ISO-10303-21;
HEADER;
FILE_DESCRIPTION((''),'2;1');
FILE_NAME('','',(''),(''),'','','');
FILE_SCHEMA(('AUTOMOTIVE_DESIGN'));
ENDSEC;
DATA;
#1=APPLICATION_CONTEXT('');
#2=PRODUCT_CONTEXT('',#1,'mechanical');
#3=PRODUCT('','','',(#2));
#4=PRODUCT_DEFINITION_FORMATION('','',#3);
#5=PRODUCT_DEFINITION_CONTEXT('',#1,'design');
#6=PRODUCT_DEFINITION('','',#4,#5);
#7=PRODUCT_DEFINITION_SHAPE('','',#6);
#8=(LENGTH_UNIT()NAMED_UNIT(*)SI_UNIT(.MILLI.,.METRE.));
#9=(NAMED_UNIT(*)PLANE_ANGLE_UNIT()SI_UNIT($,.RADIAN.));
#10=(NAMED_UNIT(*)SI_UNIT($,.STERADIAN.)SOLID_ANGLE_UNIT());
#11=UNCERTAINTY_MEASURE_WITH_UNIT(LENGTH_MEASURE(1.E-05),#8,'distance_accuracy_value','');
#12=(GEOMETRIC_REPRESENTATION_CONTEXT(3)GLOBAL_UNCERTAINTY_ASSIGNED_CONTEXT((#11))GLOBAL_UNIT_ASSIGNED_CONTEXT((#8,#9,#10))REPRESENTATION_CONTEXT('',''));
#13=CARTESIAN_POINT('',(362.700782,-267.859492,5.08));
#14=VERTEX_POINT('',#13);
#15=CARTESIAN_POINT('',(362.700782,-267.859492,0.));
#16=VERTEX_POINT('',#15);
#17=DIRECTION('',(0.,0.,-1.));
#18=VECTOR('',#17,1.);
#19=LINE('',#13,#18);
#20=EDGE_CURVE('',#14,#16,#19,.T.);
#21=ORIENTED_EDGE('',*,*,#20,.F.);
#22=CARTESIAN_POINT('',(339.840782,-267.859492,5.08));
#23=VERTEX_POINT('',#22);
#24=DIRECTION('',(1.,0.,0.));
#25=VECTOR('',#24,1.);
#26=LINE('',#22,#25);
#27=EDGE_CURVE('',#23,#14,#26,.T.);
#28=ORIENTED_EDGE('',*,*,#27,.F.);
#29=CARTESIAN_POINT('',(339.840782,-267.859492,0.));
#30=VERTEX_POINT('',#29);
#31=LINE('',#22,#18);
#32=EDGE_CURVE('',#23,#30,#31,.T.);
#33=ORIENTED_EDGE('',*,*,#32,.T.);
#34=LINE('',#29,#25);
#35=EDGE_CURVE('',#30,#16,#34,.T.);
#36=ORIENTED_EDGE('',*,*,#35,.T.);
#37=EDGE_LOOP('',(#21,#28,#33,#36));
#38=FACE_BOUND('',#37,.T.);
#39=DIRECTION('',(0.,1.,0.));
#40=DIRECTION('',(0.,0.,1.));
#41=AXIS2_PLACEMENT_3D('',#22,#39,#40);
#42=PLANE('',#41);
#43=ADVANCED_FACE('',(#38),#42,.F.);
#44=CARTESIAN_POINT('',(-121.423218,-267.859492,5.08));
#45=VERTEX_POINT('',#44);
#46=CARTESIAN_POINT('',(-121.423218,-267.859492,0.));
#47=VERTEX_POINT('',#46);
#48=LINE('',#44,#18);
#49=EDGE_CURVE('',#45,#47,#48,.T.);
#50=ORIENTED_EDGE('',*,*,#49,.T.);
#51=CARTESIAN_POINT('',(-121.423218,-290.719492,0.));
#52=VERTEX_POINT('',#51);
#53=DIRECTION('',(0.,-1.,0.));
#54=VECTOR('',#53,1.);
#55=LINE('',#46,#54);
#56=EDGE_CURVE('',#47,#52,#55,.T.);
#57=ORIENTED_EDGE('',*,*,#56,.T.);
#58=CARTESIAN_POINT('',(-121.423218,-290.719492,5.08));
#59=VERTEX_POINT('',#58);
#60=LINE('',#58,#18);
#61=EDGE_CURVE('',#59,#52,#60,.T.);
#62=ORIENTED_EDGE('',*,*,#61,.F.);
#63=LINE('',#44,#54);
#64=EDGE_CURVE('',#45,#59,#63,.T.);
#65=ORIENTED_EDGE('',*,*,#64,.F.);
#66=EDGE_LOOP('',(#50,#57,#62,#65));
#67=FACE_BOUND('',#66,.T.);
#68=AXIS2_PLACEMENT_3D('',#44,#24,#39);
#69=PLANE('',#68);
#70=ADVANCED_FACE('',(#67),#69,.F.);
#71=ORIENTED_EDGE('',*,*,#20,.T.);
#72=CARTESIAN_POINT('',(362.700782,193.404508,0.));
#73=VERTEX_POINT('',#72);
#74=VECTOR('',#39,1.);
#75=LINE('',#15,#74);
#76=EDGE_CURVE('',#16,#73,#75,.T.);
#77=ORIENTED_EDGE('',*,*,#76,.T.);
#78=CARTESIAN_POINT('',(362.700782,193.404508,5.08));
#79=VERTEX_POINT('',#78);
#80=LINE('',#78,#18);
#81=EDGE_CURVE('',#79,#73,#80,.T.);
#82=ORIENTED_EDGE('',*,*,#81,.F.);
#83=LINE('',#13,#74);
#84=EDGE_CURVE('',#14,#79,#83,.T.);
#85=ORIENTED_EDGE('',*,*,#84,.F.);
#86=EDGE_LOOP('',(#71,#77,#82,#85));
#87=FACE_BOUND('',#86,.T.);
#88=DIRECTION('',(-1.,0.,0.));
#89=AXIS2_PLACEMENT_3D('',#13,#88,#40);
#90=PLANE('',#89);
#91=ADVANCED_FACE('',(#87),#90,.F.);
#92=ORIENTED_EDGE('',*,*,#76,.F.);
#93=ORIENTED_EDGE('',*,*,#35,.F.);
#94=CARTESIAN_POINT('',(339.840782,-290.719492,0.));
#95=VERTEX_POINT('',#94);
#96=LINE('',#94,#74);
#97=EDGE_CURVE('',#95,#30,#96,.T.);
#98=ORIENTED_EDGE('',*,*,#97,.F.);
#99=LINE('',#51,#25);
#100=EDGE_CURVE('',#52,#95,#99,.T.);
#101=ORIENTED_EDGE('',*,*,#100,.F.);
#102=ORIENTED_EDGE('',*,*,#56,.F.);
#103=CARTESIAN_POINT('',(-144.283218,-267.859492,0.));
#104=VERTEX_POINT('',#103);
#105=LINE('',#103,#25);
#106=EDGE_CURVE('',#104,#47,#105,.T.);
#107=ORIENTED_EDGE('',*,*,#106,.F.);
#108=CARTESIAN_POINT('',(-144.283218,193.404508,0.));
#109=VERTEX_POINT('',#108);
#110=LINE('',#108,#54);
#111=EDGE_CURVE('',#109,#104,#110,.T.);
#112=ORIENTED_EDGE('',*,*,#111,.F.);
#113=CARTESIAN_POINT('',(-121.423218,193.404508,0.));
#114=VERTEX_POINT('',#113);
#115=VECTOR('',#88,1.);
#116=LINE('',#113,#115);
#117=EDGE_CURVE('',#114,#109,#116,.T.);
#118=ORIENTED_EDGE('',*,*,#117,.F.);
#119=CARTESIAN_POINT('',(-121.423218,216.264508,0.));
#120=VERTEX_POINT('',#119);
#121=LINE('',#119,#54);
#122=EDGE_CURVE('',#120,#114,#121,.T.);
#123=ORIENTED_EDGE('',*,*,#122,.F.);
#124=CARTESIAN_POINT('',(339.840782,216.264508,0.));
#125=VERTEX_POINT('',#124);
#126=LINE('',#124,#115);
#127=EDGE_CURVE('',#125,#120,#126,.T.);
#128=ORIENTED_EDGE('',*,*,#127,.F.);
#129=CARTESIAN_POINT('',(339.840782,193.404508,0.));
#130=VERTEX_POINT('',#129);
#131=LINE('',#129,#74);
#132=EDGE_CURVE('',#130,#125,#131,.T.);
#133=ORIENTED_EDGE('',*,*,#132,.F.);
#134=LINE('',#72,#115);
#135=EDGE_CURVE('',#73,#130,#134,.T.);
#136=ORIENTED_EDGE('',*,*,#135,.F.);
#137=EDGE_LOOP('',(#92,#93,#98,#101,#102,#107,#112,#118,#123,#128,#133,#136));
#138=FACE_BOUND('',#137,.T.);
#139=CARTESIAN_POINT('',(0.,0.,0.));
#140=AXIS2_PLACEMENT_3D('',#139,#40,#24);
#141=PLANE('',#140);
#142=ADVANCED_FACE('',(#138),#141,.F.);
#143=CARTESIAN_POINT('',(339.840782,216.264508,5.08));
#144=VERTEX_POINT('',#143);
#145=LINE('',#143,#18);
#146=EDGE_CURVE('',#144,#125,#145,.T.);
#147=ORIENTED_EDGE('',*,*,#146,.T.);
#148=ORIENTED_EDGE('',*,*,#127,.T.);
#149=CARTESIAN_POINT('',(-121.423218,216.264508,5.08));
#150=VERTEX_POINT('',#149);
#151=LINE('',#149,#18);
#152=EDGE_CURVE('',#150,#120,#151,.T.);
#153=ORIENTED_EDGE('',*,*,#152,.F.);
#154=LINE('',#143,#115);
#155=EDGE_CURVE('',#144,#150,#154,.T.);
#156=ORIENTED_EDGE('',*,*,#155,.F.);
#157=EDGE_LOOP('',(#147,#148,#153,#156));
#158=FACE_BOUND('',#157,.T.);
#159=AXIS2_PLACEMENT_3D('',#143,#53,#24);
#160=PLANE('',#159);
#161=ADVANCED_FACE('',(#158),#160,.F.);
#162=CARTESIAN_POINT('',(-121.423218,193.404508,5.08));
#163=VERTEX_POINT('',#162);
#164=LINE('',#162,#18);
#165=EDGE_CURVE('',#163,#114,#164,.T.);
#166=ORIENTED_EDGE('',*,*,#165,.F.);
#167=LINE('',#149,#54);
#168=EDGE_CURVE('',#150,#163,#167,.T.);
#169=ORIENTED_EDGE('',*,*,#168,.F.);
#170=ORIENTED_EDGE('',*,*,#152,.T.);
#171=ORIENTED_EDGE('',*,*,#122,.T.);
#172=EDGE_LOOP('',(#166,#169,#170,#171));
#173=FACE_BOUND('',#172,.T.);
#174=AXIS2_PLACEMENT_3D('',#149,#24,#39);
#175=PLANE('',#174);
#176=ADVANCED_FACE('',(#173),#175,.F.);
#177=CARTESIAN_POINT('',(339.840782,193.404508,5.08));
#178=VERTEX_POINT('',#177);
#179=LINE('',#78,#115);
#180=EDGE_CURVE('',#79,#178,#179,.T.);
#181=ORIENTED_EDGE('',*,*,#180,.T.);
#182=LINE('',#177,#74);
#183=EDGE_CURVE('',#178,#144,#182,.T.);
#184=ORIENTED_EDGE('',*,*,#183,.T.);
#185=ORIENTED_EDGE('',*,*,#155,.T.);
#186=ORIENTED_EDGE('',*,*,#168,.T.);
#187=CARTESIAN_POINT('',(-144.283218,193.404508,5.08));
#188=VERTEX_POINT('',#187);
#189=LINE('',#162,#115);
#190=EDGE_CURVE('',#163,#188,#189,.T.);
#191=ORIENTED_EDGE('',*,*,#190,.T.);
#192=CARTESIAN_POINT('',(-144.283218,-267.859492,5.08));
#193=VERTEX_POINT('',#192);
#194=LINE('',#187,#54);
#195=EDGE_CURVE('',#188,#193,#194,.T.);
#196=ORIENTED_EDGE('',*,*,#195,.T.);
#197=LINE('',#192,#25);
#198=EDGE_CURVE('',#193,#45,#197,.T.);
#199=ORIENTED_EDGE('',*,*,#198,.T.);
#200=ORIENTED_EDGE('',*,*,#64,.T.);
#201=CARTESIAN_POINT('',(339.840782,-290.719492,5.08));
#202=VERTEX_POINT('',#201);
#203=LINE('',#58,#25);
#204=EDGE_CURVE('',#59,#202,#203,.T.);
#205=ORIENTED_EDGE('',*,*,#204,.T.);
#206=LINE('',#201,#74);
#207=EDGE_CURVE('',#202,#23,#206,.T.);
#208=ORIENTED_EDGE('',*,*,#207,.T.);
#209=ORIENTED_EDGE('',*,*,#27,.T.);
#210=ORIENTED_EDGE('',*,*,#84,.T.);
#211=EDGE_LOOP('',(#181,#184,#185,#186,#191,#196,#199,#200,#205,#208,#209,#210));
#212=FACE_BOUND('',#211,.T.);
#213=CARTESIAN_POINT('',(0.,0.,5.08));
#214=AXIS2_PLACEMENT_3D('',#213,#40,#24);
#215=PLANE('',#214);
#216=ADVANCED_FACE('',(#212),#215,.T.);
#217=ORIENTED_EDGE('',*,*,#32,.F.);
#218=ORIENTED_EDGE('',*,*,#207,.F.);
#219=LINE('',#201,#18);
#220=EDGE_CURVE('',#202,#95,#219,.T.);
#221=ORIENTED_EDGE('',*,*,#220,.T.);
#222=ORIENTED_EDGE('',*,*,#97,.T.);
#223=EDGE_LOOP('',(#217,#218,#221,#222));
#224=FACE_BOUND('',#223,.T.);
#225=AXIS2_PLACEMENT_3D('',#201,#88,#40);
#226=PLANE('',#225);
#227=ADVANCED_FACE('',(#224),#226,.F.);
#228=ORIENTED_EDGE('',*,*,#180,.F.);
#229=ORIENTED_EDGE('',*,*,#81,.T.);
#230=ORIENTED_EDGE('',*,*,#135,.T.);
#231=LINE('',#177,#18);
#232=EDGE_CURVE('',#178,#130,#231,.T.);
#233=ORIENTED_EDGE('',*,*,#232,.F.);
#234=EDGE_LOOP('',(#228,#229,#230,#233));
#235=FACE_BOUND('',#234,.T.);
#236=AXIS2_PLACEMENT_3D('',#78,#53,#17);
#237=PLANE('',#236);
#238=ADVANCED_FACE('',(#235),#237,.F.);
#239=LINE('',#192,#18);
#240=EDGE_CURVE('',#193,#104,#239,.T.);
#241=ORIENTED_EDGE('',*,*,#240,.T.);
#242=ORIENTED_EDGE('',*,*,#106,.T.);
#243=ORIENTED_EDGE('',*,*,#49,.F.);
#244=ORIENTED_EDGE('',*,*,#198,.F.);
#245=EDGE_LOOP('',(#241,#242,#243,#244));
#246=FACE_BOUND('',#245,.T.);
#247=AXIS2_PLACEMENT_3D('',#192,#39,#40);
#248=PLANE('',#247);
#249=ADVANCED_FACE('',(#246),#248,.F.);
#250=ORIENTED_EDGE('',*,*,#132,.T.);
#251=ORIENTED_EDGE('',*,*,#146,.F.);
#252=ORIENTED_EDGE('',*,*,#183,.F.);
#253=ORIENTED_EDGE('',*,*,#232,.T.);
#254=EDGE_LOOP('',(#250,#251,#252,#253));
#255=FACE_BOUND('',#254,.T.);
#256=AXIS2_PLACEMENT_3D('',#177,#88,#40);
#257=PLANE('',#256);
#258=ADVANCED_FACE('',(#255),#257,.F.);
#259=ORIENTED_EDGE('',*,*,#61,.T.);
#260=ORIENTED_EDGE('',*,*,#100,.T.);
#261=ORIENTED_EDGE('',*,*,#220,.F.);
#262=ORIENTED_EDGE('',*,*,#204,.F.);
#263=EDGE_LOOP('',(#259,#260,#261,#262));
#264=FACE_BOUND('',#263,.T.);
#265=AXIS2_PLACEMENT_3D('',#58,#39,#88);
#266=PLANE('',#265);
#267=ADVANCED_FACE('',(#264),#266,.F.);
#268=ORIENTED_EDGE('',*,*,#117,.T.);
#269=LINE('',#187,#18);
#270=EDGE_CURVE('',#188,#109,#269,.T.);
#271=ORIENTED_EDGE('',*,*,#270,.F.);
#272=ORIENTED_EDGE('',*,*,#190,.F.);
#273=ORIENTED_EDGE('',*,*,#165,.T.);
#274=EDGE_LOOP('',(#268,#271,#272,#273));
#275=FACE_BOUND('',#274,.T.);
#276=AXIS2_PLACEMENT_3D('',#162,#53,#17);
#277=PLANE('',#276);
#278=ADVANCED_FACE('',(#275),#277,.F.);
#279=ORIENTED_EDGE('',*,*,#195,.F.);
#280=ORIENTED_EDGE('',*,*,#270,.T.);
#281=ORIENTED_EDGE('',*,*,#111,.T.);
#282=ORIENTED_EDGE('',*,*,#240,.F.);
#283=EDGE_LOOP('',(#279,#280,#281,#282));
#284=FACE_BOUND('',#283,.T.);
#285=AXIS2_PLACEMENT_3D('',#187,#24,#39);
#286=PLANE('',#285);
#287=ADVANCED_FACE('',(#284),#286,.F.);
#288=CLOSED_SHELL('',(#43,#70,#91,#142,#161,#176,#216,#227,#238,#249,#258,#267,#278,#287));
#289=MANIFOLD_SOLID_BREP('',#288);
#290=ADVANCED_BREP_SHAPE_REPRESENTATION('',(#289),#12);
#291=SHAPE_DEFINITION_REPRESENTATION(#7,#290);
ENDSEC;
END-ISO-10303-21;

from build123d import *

# Parameters (mm, degrees)
BOSS_EXTRUDE1_DEPTH = 5.08


with BuildPart() as part:
    # Sketch1 → Boss-Extrude1 (new body)
    with BuildSketch(Plane.XY):
        Polygon((339.840781698, -290.719491675), (339.840781698, -267.859491675), (362.700781698, -267.859491675), (362.700781698, 193.404508325), (339.840781698, 193.404508325), (339.840781698, 216.264508325), (-121.423218302, 216.264508325), (-121.423218302, 193.404508325), (-144.283218302, 193.404508325), (-144.283218302, -267.859491675), (-121.423218302, -267.859491675), (-121.423218302, -290.719491675), align=None)
    extrude(amount=BOSS_EXTRUDE1_DEPTH)


solid = part.part
